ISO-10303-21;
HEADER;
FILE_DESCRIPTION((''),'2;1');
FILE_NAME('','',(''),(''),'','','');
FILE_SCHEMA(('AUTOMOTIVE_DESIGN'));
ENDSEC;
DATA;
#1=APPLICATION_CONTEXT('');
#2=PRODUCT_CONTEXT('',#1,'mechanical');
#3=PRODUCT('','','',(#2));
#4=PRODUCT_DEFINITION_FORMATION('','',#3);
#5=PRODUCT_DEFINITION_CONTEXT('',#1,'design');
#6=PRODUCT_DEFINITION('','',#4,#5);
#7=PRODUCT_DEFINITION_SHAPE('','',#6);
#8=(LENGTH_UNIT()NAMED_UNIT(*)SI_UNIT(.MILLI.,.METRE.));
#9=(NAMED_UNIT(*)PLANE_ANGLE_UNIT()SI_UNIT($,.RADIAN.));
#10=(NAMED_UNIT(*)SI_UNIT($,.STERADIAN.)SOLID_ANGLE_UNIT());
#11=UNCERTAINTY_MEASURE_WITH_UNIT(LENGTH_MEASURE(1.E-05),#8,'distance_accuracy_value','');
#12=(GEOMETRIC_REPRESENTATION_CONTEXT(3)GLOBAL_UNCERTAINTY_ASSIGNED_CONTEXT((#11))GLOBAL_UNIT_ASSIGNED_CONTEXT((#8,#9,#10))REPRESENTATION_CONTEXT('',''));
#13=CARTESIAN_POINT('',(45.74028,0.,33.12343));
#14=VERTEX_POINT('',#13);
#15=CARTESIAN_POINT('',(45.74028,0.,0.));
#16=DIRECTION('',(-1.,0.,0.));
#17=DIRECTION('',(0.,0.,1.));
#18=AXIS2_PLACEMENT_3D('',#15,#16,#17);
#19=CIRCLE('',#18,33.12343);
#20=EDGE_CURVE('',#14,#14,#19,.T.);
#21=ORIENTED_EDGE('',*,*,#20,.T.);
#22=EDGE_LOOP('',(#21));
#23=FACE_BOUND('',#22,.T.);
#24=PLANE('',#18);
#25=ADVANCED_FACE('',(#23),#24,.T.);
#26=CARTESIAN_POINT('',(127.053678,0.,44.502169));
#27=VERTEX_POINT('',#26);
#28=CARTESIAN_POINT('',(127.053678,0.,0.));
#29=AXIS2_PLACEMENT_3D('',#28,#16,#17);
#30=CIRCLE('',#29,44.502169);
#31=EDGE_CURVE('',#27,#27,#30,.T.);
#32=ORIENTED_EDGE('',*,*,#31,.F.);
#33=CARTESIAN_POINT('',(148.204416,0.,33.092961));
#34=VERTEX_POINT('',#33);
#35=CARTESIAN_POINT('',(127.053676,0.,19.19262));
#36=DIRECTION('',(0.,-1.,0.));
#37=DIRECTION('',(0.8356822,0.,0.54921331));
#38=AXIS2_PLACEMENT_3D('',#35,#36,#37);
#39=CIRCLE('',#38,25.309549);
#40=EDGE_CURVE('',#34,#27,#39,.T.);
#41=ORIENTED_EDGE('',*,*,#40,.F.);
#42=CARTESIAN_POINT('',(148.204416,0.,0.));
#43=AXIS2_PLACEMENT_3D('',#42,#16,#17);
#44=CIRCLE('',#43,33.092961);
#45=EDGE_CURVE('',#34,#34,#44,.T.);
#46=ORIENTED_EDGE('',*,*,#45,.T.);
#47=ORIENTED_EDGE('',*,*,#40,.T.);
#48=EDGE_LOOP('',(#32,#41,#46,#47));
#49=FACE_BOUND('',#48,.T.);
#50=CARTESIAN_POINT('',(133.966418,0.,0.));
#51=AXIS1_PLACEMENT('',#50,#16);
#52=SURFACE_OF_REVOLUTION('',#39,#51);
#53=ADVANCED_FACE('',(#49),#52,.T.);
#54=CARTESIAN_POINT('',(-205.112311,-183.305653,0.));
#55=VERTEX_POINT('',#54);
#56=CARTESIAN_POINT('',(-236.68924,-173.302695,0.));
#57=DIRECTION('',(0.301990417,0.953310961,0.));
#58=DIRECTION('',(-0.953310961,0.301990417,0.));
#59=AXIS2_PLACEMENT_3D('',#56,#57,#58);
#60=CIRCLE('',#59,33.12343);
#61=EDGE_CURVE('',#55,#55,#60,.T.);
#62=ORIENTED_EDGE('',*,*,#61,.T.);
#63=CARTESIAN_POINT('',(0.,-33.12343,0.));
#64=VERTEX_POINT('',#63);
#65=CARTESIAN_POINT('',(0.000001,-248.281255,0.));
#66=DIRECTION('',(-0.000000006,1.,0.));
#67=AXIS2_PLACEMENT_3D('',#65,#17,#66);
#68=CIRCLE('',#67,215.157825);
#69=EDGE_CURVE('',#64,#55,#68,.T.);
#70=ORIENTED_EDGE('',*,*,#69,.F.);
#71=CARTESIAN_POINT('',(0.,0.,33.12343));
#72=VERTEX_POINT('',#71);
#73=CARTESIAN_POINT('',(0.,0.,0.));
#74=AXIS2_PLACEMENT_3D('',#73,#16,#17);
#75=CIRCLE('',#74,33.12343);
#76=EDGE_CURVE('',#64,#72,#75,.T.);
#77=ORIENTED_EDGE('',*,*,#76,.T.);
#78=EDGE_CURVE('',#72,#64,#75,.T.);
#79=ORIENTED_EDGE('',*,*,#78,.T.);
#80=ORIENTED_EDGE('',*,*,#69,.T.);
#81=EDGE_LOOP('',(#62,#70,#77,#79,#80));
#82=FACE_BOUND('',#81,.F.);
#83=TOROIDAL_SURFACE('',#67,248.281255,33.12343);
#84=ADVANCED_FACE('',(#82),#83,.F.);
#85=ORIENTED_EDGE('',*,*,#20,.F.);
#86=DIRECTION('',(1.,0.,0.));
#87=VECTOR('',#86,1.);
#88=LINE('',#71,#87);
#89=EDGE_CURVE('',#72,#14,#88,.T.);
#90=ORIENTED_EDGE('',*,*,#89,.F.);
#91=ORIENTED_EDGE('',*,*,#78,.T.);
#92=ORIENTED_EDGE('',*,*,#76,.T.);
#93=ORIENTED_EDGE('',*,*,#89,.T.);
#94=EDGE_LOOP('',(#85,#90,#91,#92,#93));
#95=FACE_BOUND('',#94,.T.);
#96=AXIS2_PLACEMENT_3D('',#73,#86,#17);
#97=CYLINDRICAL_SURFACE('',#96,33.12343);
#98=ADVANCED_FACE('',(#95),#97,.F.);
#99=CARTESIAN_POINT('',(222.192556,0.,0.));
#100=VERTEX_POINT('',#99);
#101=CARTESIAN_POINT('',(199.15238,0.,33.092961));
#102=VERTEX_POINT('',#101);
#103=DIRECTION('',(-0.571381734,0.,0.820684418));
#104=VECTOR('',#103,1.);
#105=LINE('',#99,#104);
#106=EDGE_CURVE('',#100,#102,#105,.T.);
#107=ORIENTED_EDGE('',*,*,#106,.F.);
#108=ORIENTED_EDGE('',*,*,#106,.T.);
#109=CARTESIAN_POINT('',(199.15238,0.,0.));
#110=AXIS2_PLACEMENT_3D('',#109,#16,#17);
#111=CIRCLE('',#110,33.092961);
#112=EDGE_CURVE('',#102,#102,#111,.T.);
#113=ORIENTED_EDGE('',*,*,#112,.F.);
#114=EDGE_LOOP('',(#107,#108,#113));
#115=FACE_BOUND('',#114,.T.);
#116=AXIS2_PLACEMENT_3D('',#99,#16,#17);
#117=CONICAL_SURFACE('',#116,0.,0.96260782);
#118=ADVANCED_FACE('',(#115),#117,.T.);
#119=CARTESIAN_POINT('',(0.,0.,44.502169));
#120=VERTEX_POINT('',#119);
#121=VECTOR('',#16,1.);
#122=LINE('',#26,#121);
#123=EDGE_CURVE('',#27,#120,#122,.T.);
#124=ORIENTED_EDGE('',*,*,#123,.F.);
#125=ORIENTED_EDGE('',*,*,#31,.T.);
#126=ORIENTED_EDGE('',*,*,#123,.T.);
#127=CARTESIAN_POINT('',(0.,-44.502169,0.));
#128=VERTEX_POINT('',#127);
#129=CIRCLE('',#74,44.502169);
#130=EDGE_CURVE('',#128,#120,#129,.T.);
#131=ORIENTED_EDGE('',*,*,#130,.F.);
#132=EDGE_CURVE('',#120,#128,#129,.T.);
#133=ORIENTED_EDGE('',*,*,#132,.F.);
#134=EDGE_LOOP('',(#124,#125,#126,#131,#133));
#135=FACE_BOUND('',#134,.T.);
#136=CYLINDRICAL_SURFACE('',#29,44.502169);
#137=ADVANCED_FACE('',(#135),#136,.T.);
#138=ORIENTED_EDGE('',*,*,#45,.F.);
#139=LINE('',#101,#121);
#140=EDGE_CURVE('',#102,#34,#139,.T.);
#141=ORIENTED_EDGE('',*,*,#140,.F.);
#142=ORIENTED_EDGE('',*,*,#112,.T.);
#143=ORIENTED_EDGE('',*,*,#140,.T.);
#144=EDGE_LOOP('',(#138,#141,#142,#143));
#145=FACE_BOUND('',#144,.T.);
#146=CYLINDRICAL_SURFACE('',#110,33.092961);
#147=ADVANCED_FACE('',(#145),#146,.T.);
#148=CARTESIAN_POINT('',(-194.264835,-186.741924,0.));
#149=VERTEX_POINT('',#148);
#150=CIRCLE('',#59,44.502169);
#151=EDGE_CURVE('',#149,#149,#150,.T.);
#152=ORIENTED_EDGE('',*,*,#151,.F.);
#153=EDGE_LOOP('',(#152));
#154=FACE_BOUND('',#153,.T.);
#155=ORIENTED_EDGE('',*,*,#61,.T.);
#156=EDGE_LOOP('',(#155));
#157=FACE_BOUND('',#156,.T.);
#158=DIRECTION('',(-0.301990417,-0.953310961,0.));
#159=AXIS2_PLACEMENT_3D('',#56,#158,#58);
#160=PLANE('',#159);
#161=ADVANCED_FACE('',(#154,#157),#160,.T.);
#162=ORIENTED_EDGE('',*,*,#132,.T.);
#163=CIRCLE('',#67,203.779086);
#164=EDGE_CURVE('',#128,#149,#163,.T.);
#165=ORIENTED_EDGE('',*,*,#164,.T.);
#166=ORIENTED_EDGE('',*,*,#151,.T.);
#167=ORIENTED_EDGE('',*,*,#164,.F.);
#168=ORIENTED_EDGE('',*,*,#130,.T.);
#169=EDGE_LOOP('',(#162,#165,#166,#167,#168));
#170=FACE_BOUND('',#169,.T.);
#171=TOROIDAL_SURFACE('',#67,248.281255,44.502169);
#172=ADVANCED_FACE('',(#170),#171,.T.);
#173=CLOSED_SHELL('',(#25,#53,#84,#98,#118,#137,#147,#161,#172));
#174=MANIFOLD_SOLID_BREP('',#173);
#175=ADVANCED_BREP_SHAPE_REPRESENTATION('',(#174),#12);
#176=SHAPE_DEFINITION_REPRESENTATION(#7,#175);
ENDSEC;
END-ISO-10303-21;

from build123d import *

# Parameters (mm, degrees)
F1_FACE_R   = 44.502169
F1_FACE_R_2 = 33.12343


with BuildPart() as f1:
    # F0 (on Front) → F1 (revolve)
    with BuildSketch(Plane.XZ):
        with BuildLine():
            Line((0, 44.502169), (0, 33.12343))
            Line((0, 33.12343), (45.74028, 33.12343))
            Line((45.74028, 33.12343), (45.74028, 0))
            Line((45.74028, 0), (222.192556, 0))
            Line((222.192556, 0), (199.15238, 33.092961))
            Line((199.15238, 33.092961), (148.204416, 33.092961))
            ThreePointArc((148.204416, 33.092961), (139.06954, 41.467994), (127.053678, 44.502169))
            Line((127.053678, 44.502169), (0, 44.502169))
        make_face()
    revolve(axis=Axis((133.966418, 0, 0), (-1, 0, 0)))

    # F3: sweep along a path in F2
    with BuildLine(Plane.XY) as f3_path:
        ThreePointArc((0, 0), (-146.676191, -47.957327), (-236.68924, -173.302695))
    # F1_face (on face) → F3 (sweep)
    with BuildSketch(Plane(origin=(0, 0, 0), x_dir=(0, -1, 0), z_dir=(-1, 0, 0))):
        Circle(F1_FACE_R)
        Circle(F1_FACE_R_2, mode=Mode.SUBTRACT)
    sweep(path=f3_path.line)


solid = f1.part
